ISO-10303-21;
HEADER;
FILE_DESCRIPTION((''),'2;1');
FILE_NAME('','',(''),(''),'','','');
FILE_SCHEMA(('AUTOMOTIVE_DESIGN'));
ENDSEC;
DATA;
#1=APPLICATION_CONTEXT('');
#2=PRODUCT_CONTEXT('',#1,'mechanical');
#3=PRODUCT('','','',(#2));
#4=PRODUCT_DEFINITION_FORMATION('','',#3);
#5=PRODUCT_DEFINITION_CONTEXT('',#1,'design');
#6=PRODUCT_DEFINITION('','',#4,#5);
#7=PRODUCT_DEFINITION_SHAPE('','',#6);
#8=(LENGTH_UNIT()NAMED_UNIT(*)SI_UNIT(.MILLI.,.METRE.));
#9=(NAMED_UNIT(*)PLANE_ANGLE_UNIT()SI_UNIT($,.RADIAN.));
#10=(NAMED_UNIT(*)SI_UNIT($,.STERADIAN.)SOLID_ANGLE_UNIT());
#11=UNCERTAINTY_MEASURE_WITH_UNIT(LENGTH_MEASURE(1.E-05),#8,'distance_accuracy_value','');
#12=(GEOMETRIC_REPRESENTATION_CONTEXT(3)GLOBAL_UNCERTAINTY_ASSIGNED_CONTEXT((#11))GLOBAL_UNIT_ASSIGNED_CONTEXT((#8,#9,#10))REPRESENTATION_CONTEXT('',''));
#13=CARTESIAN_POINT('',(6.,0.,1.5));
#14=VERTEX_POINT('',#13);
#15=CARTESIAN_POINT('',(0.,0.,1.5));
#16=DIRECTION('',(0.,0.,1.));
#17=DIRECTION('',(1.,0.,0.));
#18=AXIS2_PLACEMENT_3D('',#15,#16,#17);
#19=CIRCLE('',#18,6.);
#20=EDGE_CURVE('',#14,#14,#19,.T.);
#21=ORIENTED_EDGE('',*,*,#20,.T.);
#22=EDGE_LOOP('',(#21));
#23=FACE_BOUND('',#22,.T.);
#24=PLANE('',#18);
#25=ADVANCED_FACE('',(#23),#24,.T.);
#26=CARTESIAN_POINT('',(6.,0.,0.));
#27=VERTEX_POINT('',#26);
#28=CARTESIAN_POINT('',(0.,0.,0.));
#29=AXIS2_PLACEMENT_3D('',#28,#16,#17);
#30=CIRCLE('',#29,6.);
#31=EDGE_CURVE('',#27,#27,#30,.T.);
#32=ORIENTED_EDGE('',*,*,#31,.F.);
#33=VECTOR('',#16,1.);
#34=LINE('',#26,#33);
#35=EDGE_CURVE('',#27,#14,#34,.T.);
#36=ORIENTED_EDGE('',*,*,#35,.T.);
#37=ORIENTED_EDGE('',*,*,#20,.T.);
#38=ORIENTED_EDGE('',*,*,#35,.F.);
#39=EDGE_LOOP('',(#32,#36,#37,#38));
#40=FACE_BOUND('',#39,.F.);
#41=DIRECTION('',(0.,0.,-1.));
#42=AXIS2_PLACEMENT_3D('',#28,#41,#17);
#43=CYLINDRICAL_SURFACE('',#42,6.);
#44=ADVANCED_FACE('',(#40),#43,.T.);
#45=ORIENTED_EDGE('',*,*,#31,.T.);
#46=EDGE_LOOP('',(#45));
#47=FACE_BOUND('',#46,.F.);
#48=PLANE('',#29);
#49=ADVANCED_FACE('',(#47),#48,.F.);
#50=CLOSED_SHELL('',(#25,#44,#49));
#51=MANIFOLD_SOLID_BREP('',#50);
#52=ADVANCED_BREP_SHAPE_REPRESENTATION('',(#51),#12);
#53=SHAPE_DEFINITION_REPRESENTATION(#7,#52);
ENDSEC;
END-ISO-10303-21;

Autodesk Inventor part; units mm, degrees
ref_plane "YZ Plane" through (0, 0, 0) normal (1, 0, 0) x (0, 1, 0)
ref_plane "XZ Plane" through (0, 0, 0) normal (0, 1, 0) x (-1, 0, 0)
ref_plane "XY Plane" through (0, 0, 0) normal (0, 0, 1) x (1, 0, 0)
sketch "Sketch1" plane through (0, 0, 0) normal (0, 0, 1) x (1, 0, 0)
  circle A0 centre (0, 0) radius 6
  dimension "d0" = 12
extrude "Extrusion1" add sketch "Sketch1" along normal blind 1.5
properties material "Rubber"
